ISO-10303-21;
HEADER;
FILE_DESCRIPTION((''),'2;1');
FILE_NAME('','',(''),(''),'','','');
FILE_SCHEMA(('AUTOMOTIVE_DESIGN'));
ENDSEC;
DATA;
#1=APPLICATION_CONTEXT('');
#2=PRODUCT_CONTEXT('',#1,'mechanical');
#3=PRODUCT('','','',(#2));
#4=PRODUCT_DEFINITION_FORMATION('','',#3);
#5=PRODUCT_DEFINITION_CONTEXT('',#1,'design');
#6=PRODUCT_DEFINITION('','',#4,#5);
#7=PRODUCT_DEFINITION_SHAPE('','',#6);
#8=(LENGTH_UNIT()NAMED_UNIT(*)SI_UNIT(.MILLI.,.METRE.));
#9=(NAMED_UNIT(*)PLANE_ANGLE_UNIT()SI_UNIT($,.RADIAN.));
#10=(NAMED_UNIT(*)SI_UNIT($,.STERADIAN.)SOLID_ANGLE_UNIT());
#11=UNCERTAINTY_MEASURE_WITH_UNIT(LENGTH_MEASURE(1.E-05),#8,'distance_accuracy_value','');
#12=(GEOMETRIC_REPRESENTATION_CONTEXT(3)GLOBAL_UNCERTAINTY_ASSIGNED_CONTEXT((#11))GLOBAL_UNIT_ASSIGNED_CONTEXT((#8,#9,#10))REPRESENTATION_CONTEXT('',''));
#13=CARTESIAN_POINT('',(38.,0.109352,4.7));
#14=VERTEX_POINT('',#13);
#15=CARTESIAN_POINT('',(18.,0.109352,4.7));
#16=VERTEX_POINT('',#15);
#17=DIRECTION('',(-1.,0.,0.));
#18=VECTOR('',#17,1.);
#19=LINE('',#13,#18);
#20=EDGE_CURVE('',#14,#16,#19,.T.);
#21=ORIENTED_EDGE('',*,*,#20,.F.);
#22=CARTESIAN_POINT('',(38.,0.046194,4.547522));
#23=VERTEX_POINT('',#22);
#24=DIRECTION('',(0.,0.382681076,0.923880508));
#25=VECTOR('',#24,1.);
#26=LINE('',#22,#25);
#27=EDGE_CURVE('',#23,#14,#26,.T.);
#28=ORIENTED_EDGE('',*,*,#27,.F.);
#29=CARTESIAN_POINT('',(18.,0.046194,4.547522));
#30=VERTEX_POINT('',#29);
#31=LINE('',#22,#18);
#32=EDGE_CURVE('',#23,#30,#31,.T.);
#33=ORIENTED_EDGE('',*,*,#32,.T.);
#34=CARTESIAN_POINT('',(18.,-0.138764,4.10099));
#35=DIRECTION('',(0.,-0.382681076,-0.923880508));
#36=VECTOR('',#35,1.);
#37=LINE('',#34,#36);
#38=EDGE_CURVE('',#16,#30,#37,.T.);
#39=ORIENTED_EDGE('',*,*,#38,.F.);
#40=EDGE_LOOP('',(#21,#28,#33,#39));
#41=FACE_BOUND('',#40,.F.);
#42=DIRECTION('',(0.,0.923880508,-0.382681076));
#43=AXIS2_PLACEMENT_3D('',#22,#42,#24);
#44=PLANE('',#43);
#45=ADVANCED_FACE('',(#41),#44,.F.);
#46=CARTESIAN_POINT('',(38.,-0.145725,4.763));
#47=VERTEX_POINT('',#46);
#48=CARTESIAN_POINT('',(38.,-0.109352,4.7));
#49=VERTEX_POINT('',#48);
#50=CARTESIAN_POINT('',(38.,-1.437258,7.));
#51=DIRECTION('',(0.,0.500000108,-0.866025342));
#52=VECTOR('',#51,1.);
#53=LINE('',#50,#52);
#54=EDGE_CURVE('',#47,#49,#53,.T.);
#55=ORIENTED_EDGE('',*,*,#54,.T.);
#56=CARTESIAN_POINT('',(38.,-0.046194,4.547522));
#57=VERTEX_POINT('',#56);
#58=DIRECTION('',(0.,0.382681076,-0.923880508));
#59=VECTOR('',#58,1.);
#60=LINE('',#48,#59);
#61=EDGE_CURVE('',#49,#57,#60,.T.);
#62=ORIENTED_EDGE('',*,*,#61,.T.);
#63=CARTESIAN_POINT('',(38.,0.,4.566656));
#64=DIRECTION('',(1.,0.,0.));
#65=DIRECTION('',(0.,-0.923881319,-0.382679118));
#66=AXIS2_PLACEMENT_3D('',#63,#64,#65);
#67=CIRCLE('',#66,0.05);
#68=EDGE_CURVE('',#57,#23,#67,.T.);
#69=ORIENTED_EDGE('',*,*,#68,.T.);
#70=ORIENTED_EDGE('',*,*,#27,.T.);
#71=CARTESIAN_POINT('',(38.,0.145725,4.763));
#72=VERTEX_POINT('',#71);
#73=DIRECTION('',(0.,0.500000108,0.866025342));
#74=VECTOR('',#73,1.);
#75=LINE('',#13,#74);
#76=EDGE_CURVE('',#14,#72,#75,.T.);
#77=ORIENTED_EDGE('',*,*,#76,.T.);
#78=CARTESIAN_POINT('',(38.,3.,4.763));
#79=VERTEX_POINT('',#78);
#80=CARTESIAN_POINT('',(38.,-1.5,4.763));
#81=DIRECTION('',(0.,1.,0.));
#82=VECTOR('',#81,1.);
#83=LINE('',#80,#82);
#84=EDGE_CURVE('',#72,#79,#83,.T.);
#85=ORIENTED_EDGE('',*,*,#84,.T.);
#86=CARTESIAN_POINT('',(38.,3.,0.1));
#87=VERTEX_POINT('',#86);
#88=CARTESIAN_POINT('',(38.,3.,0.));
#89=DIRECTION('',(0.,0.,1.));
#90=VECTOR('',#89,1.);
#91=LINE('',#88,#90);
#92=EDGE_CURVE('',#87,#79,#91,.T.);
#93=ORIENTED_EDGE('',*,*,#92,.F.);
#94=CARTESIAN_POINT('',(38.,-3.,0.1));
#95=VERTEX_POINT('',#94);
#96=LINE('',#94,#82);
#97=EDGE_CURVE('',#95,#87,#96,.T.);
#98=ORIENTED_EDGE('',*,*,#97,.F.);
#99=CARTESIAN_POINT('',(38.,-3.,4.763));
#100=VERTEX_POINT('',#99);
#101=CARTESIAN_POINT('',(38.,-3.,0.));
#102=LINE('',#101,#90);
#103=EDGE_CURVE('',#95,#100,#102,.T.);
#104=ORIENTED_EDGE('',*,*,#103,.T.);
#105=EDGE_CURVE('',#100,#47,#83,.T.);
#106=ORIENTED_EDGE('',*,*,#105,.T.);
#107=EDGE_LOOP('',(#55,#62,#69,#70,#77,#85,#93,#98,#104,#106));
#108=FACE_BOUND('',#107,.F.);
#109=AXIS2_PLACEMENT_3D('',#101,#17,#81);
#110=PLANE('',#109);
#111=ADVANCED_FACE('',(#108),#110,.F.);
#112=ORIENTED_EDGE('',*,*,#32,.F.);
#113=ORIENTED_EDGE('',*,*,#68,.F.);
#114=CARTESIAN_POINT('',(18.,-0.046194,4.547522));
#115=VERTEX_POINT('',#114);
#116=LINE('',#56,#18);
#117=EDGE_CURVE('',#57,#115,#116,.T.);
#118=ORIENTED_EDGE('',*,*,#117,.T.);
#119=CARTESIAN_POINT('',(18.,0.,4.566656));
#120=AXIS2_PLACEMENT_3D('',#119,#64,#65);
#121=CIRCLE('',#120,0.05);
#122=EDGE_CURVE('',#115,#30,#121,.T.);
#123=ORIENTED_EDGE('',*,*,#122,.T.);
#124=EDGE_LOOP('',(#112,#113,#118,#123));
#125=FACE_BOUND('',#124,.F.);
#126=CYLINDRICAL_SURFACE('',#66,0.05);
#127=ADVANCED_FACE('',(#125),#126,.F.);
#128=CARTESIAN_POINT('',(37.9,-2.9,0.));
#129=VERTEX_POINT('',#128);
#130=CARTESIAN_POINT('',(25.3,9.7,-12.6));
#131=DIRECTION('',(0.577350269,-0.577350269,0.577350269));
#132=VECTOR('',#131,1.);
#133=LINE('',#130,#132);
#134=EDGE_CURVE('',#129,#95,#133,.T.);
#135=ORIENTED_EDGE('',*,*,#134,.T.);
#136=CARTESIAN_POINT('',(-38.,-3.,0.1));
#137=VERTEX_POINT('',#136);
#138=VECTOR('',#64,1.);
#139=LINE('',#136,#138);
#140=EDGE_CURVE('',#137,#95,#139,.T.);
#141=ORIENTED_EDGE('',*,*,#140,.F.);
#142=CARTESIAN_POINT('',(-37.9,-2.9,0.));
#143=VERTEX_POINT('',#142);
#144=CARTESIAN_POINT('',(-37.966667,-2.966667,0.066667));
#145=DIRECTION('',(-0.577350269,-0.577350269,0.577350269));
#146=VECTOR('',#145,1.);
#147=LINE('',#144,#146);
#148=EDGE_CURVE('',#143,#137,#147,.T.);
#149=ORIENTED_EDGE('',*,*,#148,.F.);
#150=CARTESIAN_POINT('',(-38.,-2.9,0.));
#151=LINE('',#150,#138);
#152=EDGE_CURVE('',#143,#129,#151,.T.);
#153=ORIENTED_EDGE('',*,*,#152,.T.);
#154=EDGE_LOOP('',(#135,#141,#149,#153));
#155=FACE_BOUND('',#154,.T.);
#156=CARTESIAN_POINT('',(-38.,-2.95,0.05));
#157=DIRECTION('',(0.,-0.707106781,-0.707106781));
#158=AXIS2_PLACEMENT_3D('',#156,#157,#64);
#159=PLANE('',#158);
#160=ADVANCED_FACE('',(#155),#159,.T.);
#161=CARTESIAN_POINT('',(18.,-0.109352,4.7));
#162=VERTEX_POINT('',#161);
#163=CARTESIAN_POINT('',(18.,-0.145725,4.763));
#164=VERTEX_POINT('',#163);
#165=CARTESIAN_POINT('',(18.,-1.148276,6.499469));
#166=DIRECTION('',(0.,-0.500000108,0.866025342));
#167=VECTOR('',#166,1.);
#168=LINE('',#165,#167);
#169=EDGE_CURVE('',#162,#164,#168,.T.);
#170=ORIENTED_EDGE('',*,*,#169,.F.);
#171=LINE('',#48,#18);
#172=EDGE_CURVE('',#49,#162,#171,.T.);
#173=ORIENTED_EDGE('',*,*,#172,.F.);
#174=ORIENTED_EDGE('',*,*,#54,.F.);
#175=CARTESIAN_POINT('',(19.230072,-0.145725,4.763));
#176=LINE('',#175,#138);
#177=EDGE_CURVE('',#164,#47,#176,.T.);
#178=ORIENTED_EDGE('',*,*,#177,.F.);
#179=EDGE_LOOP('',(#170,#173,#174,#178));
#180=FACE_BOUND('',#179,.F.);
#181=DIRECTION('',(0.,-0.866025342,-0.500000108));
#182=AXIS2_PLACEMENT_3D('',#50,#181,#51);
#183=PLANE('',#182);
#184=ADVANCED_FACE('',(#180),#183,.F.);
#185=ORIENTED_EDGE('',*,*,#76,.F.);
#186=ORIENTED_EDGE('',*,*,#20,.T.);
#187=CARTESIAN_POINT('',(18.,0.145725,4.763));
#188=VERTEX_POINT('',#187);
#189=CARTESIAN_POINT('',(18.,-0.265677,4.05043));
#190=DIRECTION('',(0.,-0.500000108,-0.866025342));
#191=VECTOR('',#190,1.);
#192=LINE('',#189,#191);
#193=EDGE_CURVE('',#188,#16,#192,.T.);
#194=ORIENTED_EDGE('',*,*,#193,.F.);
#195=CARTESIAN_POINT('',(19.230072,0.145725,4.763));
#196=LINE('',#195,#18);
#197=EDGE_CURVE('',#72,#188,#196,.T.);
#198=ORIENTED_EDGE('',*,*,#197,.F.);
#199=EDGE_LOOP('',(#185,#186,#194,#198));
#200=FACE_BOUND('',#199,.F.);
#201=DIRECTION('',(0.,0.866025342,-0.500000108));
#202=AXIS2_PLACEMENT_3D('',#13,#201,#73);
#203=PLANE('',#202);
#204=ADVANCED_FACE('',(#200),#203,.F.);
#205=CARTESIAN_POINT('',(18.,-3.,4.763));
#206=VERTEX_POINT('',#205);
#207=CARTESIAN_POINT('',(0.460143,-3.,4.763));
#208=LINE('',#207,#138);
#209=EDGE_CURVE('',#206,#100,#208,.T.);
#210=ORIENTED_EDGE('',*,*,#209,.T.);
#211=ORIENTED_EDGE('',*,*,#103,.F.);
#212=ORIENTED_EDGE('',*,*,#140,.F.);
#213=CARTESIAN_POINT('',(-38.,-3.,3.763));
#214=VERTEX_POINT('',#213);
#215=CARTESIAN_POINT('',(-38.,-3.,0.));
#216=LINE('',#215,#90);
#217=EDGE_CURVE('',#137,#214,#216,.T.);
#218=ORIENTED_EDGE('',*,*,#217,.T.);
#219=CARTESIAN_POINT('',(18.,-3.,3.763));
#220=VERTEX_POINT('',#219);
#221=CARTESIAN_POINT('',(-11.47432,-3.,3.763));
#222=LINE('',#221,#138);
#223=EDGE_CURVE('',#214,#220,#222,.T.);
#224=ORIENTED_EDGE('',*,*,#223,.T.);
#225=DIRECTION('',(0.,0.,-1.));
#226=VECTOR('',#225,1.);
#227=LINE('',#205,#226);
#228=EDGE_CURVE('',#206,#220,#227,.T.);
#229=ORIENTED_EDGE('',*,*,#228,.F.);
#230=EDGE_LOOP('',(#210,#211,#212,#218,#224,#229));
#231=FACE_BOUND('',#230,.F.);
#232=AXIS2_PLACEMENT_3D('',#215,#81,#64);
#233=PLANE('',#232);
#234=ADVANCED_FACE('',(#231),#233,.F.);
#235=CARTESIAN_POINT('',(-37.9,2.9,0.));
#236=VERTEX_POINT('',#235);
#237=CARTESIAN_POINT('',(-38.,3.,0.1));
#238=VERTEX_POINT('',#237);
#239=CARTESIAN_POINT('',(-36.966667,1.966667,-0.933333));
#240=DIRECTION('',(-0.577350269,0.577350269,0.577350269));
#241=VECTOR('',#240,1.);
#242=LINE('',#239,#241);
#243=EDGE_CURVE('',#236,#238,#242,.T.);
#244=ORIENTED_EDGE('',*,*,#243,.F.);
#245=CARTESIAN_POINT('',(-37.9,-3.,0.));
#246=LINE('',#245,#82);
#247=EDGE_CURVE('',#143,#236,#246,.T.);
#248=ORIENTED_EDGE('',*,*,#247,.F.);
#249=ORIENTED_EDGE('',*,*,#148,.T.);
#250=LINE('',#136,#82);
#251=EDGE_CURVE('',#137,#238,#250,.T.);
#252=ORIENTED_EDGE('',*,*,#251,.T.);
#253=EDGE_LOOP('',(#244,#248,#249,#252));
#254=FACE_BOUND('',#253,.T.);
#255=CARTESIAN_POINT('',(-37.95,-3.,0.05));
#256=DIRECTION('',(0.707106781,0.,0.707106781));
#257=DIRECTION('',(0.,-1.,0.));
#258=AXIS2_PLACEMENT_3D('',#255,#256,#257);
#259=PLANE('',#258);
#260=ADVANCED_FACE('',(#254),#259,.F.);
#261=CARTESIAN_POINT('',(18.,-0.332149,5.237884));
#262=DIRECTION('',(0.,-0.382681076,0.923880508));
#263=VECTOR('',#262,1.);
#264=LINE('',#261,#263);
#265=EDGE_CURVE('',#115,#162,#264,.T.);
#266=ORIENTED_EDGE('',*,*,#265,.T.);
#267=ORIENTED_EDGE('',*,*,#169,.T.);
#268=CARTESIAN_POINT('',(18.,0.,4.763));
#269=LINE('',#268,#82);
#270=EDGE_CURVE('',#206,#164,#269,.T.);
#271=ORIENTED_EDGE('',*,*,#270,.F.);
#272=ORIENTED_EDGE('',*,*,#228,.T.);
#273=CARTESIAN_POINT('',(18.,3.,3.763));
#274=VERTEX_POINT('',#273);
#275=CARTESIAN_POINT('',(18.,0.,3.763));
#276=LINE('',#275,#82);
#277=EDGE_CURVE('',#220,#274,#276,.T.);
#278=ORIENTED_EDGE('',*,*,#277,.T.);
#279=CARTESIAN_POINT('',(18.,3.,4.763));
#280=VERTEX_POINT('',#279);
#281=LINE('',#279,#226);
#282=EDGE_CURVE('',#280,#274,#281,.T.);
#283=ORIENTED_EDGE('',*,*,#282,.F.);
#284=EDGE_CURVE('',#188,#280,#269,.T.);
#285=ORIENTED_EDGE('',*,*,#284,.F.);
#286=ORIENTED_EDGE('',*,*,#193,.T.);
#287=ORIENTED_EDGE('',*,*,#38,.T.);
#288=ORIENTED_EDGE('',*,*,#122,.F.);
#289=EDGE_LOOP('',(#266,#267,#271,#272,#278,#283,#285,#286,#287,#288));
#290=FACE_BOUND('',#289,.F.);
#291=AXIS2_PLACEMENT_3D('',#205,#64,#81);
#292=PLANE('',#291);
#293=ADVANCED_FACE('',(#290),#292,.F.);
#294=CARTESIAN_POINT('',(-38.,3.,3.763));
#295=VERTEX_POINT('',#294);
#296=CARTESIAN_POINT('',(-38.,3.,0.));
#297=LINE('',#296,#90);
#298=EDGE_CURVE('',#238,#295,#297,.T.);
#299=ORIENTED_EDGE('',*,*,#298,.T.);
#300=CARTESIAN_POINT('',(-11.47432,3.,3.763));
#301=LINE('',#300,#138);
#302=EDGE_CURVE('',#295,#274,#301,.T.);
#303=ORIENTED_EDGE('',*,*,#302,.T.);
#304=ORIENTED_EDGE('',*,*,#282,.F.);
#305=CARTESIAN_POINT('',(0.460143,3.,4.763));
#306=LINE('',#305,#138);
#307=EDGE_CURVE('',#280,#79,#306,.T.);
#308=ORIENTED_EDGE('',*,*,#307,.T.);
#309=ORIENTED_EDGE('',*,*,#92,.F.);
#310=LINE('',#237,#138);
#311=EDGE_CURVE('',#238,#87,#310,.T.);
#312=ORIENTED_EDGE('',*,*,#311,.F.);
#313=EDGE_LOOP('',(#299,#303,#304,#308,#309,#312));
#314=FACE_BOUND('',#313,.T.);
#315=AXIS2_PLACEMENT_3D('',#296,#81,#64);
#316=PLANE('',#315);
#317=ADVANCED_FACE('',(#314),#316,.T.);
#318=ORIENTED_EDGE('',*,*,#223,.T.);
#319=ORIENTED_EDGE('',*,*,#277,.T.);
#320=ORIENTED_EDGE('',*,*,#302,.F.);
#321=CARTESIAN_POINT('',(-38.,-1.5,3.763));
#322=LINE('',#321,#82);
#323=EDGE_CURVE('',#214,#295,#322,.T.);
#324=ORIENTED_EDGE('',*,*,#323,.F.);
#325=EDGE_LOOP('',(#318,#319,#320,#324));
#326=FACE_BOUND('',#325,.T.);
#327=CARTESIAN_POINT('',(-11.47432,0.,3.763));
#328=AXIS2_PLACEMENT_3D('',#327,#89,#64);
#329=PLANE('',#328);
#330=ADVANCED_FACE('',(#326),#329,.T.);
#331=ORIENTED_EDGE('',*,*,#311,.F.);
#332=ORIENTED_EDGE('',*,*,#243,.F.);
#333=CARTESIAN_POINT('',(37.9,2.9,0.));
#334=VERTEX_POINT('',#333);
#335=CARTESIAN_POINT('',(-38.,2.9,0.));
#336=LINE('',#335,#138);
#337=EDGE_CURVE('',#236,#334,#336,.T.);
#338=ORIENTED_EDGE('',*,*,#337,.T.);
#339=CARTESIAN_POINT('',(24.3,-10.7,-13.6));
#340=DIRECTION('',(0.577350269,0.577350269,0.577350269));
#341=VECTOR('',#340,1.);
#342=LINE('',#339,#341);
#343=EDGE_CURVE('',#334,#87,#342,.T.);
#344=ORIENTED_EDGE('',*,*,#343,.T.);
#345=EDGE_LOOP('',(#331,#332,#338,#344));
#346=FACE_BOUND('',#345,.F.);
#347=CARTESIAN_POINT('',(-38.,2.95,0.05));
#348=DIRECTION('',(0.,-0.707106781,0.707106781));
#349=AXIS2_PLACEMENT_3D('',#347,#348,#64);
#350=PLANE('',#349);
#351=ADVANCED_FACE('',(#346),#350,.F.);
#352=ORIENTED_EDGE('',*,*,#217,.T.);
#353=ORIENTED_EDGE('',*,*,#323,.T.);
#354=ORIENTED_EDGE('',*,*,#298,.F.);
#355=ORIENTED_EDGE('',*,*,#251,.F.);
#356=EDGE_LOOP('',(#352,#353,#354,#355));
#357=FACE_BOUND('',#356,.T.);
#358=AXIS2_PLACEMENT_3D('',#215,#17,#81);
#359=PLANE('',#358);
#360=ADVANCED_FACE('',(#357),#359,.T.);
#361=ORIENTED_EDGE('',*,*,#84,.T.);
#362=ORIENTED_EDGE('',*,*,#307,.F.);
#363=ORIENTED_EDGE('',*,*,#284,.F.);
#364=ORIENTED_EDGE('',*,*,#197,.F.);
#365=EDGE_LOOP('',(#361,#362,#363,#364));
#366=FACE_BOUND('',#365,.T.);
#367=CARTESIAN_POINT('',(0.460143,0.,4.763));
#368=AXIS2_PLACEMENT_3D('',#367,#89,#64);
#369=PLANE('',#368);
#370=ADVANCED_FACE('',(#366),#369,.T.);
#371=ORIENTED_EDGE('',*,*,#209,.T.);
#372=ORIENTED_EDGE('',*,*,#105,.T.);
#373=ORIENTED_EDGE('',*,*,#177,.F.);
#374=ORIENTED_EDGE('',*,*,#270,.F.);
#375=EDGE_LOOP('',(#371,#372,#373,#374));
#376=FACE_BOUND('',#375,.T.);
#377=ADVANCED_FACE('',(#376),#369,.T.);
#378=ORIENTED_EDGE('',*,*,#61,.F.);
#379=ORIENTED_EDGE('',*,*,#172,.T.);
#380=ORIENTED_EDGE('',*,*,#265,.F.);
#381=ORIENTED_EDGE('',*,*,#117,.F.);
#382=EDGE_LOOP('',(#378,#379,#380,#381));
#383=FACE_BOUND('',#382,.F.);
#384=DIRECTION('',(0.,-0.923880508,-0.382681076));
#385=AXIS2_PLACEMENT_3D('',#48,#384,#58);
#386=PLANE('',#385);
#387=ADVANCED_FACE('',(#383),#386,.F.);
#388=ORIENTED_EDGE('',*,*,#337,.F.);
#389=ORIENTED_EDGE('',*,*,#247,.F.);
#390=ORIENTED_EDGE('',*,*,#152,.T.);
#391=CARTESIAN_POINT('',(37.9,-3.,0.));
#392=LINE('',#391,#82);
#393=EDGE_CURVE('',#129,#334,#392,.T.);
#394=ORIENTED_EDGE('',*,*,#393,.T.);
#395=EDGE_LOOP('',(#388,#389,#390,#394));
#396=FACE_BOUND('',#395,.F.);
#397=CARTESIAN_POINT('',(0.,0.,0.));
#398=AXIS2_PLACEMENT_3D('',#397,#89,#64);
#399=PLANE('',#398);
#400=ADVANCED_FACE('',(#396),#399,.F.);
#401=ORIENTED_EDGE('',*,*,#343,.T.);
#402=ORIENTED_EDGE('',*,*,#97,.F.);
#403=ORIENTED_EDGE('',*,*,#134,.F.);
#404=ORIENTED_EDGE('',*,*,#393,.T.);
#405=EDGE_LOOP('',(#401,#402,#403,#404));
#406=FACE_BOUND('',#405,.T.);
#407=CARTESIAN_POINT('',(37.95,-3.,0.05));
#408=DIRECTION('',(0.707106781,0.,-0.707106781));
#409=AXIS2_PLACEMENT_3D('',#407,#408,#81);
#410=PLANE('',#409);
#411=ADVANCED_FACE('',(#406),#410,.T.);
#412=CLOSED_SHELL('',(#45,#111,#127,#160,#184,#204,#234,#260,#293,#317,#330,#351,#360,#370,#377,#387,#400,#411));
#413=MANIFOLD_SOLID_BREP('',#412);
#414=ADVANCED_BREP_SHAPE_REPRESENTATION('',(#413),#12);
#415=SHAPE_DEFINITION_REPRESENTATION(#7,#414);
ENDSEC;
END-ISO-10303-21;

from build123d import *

# Parameters (mm, degrees)
F0_W     = 76
F0_H     = 6
F1_DEPTH = 7
F2_W     = 76.920286
F2_H     = 6
F3_DEPTH = 2.237
F5_DEPTH = 76.001
F6_SIZE  = 0.1
F7_W     = 58.94864
F7_H     = 6
F8_DEPTH = 1


with BuildPart() as f1:
    # F0 (on Top) → F1 (new body)
    with BuildSketch(Plane.XY):
        Rectangle(F0_W, F0_H)
    extrude(amount=F1_DEPTH)

    # F2 (on face) → F3 (cut)
    with BuildSketch(Plane.XY.offset(7)):
        with Locations((0.460143, 0)):
            Rectangle(F2_W, F2_H)
    extrude(amount=-F3_DEPTH, mode=Mode.SUBTRACT)

    # F4 (on face) → F5 (cut, through all)
    with BuildSketch(Plane.YZ.offset(38)):
        with BuildLine():
            Line((1.437258, 7), (-1.437258, 7))
            Line((-1.437258, 7), (-0.109352, 4.7))
            Line((-0.109352, 4.7), (-0.046194, 4.547522))
            ThreePointArc((-0.046194, 4.547522), (0, 4.516656), (0.046194, 4.547522))
            Line((0.046194, 4.547522), (0.109352, 4.7))
            Line((0.109352, 4.7), (1.437258, 7))
        make_face()
    extrude(amount=-F5_DEPTH, mode=Mode.SUBTRACT)

    # F6
    f6_edges = [f1.edges().sort_by_distance(p)[0] for p in [
        (0, -3, 0),
        (38, 0, 0),
        (0, 3, 0),
        (-38, 0, 0),
        (-38, -1.572863, 4.763),
        (-38, 1.572863, 4.763),
    ]]
    chamfer(f6_edges, length=F6_SIZE)

    # F7 (on face) → F8 (cut)
    with BuildSketch(Plane.XY.offset(4.763)):
        with Locations((-11.47432, 0)):
            Rectangle(F7_W, F7_H)
    extrude(amount=-F8_DEPTH, mode=Mode.SUBTRACT)


solid = f1.part
